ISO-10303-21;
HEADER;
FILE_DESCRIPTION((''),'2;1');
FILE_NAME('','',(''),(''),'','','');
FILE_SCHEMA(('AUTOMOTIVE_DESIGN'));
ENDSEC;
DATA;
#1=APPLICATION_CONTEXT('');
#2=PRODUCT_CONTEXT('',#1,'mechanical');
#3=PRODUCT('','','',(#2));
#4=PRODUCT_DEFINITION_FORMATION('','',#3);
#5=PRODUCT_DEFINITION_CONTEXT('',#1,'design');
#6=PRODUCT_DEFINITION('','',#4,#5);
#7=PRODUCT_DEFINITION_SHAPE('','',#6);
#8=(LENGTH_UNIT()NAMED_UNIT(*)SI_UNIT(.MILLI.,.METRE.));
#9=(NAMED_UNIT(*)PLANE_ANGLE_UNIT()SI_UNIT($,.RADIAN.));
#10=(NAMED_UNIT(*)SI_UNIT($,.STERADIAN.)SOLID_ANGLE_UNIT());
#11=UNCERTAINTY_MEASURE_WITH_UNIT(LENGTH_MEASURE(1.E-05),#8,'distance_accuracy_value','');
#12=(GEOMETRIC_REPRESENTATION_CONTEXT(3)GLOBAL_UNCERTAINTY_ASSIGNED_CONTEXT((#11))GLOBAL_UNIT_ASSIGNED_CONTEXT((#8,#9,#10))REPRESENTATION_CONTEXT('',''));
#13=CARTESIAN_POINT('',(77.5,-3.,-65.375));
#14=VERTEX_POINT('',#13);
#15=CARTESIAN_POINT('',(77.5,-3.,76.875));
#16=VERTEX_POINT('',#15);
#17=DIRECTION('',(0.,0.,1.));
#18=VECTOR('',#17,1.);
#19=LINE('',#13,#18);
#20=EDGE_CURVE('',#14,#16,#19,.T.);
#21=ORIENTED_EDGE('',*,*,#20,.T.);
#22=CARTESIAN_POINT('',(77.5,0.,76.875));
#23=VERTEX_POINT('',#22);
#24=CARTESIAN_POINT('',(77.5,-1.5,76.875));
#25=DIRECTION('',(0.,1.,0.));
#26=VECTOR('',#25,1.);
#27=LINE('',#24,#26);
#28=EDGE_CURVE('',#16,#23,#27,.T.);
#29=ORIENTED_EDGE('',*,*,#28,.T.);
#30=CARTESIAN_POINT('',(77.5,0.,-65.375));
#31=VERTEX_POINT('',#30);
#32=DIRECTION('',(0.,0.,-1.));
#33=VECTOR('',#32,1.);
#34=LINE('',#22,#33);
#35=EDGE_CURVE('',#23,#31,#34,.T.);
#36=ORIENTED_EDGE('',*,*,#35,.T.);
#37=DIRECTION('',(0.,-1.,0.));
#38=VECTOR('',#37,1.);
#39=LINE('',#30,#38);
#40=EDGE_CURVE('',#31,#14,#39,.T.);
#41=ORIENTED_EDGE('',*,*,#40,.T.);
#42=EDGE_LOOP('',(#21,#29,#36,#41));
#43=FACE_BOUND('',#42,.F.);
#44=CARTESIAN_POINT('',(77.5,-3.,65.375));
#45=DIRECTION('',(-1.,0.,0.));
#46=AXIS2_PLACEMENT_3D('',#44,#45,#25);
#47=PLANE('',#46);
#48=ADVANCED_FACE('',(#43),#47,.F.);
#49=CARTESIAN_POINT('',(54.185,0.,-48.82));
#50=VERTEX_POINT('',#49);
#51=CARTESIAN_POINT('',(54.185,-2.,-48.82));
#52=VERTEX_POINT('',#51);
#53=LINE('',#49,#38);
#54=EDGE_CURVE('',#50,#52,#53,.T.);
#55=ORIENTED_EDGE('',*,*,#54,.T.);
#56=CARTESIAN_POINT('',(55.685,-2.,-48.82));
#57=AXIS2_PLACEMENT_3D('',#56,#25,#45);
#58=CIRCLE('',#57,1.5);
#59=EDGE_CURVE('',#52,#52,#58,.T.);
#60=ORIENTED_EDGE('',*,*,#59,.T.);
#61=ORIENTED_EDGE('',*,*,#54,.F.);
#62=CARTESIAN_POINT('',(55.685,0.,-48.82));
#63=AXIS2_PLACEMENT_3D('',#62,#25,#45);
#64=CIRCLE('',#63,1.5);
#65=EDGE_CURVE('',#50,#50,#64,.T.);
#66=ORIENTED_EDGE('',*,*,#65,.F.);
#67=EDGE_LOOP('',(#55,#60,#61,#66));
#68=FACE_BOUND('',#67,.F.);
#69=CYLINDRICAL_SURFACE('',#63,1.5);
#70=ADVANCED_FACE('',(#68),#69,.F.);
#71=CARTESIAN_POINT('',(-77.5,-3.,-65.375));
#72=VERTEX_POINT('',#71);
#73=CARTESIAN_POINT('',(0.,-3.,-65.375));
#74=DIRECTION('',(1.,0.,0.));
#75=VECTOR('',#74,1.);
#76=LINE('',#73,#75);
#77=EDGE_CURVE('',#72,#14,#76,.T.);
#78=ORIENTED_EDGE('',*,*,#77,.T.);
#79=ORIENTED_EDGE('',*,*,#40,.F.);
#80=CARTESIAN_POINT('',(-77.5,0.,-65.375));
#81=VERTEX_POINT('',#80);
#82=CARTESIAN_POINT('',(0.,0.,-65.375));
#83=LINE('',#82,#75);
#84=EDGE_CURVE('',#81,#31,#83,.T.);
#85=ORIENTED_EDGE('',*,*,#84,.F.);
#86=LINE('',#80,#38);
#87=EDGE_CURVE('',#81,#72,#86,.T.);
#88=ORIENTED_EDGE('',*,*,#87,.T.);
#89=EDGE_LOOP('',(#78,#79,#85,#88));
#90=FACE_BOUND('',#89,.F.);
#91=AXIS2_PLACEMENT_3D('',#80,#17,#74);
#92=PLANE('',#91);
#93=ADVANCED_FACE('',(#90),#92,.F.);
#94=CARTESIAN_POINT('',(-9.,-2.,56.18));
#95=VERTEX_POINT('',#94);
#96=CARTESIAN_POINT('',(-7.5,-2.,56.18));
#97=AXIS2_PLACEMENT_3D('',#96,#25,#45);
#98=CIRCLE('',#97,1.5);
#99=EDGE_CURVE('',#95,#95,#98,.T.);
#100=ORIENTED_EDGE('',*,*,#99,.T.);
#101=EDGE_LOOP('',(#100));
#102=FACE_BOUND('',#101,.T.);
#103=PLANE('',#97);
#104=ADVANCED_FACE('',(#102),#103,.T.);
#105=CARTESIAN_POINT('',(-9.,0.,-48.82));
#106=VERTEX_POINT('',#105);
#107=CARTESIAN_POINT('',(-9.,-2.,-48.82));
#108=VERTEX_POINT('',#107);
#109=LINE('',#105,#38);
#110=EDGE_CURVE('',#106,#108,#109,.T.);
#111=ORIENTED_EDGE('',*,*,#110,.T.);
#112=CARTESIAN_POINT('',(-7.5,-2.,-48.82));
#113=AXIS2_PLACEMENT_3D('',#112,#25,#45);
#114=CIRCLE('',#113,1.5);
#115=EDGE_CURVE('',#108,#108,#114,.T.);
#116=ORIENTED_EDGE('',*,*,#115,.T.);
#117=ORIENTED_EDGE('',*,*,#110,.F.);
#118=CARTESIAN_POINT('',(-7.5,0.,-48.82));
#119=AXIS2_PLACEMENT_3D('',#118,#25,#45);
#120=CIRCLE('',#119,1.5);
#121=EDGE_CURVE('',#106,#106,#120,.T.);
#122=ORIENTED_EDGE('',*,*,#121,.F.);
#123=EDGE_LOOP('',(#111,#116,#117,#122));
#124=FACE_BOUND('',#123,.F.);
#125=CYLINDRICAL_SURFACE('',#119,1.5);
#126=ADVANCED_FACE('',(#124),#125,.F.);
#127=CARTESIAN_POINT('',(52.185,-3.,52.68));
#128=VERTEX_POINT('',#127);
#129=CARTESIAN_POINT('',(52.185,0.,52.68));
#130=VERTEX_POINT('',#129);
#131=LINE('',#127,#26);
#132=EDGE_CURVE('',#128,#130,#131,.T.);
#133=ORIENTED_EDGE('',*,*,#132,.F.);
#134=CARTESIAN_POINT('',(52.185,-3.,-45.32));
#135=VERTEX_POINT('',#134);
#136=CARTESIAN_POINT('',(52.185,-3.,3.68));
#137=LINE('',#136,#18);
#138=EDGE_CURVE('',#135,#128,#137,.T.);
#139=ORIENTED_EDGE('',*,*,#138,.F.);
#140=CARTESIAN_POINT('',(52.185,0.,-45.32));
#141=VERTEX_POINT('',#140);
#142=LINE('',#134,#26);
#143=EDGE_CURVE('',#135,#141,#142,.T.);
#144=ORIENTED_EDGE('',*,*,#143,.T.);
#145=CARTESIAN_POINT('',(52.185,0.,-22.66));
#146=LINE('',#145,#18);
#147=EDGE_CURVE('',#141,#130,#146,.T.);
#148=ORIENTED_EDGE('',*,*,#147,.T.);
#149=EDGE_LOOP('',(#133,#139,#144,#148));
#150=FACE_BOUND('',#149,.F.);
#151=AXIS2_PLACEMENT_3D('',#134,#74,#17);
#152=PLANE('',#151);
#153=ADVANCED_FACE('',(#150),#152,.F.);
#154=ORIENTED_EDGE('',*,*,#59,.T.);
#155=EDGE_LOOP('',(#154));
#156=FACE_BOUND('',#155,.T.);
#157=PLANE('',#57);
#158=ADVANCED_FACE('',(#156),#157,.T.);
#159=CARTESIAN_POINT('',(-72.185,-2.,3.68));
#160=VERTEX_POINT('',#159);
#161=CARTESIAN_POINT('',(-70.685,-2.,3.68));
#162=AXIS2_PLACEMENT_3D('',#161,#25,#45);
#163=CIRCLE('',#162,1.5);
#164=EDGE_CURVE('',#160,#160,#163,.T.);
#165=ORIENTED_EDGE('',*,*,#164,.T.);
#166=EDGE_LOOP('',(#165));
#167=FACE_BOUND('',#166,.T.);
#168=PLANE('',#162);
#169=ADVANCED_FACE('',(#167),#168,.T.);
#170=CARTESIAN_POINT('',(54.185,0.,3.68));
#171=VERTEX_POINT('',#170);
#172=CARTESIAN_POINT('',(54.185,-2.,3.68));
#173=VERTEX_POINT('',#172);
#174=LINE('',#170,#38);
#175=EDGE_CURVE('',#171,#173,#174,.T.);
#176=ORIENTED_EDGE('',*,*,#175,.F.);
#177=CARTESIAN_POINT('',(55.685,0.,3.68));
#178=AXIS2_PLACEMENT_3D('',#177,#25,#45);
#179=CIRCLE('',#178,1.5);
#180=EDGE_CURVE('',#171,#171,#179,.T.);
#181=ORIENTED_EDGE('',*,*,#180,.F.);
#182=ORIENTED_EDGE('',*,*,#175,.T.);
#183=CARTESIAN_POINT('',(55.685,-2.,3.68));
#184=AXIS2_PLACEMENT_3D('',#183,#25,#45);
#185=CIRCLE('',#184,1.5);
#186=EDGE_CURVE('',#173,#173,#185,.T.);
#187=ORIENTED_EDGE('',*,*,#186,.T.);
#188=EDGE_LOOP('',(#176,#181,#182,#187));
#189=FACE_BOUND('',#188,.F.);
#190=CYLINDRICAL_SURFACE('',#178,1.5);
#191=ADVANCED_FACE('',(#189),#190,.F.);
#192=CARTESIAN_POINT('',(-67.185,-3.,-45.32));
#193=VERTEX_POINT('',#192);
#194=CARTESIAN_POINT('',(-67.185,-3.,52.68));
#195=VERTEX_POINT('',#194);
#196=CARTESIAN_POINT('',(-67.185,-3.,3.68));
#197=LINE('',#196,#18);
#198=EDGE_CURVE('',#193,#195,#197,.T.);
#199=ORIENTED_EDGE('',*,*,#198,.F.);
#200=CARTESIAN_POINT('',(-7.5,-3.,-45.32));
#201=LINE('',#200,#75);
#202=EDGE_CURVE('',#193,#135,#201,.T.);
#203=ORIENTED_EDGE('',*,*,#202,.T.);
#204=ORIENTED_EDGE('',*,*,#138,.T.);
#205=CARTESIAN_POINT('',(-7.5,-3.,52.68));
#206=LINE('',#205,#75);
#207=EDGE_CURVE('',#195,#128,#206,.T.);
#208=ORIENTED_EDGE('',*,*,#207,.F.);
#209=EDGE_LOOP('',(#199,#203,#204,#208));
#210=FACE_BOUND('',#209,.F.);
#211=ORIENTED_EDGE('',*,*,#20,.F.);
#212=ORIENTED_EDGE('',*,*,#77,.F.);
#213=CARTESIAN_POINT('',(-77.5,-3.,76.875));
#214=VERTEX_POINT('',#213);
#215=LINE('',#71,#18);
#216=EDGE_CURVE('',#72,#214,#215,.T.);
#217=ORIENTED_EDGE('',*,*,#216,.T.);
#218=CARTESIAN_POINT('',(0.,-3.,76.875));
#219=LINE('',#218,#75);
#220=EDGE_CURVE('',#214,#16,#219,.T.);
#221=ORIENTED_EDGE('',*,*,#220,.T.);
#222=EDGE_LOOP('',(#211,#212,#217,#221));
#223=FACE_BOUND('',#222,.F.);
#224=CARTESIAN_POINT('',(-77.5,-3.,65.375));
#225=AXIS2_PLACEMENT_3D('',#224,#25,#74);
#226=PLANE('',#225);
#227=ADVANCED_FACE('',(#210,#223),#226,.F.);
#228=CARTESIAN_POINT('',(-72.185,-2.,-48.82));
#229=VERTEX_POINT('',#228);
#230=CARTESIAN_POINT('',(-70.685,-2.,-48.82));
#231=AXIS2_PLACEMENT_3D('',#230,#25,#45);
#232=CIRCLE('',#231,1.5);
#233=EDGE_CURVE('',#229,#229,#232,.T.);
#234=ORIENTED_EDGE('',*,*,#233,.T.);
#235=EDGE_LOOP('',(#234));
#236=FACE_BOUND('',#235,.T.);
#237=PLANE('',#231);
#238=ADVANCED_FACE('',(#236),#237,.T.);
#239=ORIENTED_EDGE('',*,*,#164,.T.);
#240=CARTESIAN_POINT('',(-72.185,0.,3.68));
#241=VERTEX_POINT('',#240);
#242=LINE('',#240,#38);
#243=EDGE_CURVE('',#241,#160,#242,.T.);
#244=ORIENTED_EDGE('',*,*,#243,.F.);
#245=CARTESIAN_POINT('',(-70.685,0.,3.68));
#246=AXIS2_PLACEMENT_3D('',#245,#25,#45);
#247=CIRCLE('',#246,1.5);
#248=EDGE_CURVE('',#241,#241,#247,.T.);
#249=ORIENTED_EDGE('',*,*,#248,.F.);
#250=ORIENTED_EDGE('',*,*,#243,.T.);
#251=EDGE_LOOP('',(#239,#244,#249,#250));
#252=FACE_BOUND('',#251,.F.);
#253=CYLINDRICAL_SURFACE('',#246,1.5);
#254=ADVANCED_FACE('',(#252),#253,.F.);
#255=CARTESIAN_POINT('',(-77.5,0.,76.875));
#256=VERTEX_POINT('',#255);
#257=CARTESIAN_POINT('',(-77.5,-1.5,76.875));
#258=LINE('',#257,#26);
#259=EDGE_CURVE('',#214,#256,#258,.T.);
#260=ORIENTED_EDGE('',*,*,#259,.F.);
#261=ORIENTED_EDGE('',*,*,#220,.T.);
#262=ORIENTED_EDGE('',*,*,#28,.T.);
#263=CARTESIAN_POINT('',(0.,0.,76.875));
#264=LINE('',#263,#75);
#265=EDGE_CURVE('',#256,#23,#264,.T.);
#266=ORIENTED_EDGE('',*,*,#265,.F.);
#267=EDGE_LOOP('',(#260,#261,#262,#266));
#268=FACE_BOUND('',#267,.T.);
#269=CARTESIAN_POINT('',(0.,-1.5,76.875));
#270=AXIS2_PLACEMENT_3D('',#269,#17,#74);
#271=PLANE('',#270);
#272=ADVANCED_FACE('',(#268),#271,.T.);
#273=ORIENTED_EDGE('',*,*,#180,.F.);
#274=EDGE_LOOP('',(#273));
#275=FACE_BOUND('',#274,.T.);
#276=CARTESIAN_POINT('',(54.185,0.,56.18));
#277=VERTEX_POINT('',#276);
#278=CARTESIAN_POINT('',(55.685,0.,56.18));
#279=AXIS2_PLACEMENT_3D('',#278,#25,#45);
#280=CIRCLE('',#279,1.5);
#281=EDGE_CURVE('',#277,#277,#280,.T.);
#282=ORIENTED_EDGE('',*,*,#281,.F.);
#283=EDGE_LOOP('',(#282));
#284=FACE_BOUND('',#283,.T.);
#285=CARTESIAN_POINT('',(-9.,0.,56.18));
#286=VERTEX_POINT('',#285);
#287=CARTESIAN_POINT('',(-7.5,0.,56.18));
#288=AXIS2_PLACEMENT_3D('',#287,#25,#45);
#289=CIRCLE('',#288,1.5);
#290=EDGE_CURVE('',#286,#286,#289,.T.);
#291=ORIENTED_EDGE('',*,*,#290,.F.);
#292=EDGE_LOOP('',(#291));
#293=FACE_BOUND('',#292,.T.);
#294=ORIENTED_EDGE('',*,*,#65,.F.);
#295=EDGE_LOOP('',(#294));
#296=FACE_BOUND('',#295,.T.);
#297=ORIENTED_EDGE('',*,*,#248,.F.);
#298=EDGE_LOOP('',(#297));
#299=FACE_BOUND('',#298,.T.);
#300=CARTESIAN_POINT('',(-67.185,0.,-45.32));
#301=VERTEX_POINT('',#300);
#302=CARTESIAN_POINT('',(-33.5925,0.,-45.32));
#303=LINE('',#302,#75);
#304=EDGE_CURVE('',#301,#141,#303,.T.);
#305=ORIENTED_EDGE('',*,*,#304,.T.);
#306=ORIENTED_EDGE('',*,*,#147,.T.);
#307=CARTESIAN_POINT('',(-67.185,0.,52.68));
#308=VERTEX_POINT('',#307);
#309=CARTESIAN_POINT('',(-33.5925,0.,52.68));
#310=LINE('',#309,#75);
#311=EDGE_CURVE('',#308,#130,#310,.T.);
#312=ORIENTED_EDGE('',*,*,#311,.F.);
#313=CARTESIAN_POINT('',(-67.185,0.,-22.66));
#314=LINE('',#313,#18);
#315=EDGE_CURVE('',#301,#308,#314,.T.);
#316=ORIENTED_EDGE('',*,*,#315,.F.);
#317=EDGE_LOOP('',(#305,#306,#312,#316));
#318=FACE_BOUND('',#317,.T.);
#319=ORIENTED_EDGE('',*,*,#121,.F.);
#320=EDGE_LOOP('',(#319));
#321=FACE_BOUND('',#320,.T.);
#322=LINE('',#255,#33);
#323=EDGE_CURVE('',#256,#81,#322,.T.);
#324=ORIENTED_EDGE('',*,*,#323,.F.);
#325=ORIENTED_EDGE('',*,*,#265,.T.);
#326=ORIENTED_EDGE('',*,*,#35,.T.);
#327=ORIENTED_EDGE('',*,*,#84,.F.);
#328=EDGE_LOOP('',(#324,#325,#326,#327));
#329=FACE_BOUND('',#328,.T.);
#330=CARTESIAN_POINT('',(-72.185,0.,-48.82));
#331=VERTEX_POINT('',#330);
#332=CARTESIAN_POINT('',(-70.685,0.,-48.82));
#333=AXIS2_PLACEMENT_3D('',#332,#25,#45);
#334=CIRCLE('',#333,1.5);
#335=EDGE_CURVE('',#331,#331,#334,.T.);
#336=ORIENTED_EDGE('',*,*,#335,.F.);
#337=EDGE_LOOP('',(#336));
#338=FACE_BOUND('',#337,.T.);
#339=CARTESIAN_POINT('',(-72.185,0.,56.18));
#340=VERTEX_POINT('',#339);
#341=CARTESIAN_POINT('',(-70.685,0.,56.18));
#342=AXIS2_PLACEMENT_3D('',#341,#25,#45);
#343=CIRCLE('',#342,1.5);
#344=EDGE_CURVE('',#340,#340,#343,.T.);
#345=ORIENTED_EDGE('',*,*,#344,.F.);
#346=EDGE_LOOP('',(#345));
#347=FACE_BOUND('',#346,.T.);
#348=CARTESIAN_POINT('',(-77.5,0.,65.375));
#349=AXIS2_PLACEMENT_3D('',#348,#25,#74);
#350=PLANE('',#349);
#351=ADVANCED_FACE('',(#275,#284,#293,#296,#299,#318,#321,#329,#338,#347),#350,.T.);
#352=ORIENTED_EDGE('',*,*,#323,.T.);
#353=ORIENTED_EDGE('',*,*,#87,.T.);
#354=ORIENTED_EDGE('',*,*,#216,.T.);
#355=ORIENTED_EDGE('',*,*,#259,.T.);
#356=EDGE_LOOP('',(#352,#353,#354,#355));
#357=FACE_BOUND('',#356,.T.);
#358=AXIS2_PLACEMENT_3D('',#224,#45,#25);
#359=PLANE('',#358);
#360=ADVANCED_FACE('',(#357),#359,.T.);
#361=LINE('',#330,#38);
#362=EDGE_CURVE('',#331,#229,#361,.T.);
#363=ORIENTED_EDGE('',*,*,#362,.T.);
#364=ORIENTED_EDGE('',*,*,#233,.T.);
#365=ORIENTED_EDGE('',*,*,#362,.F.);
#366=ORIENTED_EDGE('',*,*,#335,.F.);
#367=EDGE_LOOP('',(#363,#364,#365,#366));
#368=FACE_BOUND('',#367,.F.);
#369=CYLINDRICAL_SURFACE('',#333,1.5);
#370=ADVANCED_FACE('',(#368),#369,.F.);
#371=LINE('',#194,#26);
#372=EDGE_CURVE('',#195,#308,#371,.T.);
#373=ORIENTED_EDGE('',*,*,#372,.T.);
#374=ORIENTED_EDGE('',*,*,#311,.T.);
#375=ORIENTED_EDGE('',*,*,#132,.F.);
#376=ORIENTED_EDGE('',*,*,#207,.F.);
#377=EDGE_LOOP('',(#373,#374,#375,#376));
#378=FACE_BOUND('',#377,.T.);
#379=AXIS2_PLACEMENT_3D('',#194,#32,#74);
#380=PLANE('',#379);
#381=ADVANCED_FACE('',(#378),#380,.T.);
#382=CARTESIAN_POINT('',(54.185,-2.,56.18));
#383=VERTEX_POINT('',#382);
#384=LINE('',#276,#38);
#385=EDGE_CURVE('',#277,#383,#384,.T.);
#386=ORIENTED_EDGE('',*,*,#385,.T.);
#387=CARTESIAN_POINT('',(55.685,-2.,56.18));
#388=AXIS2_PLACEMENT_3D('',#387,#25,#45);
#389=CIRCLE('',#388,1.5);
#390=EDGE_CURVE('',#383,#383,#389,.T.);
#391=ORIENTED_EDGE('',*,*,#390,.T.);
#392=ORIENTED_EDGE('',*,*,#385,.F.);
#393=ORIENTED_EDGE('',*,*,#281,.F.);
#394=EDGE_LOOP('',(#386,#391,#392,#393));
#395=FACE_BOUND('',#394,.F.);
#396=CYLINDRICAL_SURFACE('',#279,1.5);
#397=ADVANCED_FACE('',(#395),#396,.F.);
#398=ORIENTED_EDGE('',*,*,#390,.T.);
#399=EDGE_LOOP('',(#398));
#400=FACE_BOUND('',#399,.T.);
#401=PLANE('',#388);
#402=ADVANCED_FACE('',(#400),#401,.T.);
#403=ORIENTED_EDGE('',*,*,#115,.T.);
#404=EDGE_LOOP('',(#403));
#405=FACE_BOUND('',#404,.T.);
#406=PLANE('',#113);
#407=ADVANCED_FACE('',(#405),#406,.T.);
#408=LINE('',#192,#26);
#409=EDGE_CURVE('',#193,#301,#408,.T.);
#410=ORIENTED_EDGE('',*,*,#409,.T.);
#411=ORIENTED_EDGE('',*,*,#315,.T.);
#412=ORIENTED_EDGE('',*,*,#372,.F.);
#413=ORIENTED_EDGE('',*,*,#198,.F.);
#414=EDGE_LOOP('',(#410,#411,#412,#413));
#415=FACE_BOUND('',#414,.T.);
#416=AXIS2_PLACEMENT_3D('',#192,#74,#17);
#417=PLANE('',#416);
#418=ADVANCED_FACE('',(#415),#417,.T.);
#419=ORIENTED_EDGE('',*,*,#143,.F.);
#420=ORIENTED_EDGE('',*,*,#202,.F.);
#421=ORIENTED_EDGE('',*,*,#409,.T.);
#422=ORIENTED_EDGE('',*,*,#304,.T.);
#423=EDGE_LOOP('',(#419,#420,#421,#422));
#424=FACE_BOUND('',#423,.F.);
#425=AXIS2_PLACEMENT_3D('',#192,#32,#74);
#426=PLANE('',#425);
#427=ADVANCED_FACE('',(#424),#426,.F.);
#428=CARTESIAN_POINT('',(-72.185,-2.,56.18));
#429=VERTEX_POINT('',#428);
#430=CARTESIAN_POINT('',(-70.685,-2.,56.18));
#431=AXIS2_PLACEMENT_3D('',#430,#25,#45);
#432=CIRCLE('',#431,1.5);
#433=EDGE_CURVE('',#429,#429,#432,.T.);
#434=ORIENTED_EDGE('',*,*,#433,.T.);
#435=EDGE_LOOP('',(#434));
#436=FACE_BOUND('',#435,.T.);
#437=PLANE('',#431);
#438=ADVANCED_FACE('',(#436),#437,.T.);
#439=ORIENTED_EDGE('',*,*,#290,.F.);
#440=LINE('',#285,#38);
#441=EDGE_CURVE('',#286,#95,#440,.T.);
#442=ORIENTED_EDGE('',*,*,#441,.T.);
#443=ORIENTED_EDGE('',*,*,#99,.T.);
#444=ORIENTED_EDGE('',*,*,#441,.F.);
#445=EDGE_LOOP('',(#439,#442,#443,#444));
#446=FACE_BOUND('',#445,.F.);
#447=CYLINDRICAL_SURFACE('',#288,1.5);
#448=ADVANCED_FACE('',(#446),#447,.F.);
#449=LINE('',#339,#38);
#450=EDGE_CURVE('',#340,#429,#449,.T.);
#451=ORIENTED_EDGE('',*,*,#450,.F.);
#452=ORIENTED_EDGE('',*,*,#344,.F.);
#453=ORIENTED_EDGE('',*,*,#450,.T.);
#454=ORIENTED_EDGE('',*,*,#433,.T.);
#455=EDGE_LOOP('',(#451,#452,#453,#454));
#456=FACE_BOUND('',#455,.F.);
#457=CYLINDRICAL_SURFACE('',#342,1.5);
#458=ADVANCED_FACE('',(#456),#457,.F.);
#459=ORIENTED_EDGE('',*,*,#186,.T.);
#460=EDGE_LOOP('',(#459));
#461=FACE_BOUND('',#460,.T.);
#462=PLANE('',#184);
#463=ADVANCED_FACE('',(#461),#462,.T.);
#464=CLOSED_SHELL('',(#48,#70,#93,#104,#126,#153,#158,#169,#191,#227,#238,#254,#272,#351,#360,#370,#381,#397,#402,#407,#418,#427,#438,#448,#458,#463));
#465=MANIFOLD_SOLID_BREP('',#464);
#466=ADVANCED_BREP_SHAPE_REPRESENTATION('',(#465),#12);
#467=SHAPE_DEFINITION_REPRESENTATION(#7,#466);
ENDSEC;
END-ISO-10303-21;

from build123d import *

# Parameters (mm, degrees)
F0_W     = 155
F0_H     = 130.75
F1_DEPTH = 3
F2_W     = 113.37
F2_H     = 92
F3_DEPTH = 25
F4_W     = 119.37
F4_H     = 98
F5_DEPTH = 25
F6_R     = 1.5
F7_DEPTH = 2
F8_W     = 155
F8_H     = 3
F9_DEPTH = 11.5


with BuildPart() as f1:
    # F0 (on Front) → F1 (new body)
    with BuildSketch(Plane.XZ):
        Rectangle(F0_W, F0_H)
    extrude(amount=F1_DEPTH)

    # F2 (on face) → F3 (cut)
    with BuildSketch(Plane(origin=(0, 0, 0), x_dir=(-1, 0, 0), z_dir=(0, 1, 0))):
        with Locations((7.5, 3.68)):
            Rectangle(F2_W, F2_H)
    extrude(amount=-F3_DEPTH, mode=Mode.SUBTRACT)

    # F4 (on face) → F5 (cut)
    with BuildSketch(Plane.XZ.offset(3)):
        with Locations((-7.5, 3.68)):
            Rectangle(F4_W, F4_H)
    extrude(amount=-F5_DEPTH, mode=Mode.SUBTRACT)

    # F6 (on face) → F7 (cut)
    with BuildSketch(Plane(origin=(0, 0, 0), x_dir=(-1, 0, 0), z_dir=(0, 1, 0))):
        with Locations((-55.685, 56.18)):
            Circle(F6_R)
        with Locations((70.685, 56.18)):
            Circle(F6_R)
        with Locations((70.685, -48.82)):
            Circle(F6_R)
        with Locations((-55.685, -48.82)):
            Circle(F6_R)
        with Locations((7.5, -48.82)):
            Circle(F6_R)
        with Locations((-55.685, 3.68)):
            Circle(F6_R)
        with Locations((70.685, 3.68)):
            Circle(F6_R)
        with Locations((7.5, 56.18)):
            Circle(F6_R)
    extrude(amount=-F7_DEPTH, mode=Mode.SUBTRACT)

    # F8 (on face) → F9 (join)
    with BuildSketch(Plane.XY.offset(65.375)):
        with Locations((0, -1.5)):
            Rectangle(F8_W, F8_H)
    extrude(amount=F9_DEPTH)


solid = f1.part
